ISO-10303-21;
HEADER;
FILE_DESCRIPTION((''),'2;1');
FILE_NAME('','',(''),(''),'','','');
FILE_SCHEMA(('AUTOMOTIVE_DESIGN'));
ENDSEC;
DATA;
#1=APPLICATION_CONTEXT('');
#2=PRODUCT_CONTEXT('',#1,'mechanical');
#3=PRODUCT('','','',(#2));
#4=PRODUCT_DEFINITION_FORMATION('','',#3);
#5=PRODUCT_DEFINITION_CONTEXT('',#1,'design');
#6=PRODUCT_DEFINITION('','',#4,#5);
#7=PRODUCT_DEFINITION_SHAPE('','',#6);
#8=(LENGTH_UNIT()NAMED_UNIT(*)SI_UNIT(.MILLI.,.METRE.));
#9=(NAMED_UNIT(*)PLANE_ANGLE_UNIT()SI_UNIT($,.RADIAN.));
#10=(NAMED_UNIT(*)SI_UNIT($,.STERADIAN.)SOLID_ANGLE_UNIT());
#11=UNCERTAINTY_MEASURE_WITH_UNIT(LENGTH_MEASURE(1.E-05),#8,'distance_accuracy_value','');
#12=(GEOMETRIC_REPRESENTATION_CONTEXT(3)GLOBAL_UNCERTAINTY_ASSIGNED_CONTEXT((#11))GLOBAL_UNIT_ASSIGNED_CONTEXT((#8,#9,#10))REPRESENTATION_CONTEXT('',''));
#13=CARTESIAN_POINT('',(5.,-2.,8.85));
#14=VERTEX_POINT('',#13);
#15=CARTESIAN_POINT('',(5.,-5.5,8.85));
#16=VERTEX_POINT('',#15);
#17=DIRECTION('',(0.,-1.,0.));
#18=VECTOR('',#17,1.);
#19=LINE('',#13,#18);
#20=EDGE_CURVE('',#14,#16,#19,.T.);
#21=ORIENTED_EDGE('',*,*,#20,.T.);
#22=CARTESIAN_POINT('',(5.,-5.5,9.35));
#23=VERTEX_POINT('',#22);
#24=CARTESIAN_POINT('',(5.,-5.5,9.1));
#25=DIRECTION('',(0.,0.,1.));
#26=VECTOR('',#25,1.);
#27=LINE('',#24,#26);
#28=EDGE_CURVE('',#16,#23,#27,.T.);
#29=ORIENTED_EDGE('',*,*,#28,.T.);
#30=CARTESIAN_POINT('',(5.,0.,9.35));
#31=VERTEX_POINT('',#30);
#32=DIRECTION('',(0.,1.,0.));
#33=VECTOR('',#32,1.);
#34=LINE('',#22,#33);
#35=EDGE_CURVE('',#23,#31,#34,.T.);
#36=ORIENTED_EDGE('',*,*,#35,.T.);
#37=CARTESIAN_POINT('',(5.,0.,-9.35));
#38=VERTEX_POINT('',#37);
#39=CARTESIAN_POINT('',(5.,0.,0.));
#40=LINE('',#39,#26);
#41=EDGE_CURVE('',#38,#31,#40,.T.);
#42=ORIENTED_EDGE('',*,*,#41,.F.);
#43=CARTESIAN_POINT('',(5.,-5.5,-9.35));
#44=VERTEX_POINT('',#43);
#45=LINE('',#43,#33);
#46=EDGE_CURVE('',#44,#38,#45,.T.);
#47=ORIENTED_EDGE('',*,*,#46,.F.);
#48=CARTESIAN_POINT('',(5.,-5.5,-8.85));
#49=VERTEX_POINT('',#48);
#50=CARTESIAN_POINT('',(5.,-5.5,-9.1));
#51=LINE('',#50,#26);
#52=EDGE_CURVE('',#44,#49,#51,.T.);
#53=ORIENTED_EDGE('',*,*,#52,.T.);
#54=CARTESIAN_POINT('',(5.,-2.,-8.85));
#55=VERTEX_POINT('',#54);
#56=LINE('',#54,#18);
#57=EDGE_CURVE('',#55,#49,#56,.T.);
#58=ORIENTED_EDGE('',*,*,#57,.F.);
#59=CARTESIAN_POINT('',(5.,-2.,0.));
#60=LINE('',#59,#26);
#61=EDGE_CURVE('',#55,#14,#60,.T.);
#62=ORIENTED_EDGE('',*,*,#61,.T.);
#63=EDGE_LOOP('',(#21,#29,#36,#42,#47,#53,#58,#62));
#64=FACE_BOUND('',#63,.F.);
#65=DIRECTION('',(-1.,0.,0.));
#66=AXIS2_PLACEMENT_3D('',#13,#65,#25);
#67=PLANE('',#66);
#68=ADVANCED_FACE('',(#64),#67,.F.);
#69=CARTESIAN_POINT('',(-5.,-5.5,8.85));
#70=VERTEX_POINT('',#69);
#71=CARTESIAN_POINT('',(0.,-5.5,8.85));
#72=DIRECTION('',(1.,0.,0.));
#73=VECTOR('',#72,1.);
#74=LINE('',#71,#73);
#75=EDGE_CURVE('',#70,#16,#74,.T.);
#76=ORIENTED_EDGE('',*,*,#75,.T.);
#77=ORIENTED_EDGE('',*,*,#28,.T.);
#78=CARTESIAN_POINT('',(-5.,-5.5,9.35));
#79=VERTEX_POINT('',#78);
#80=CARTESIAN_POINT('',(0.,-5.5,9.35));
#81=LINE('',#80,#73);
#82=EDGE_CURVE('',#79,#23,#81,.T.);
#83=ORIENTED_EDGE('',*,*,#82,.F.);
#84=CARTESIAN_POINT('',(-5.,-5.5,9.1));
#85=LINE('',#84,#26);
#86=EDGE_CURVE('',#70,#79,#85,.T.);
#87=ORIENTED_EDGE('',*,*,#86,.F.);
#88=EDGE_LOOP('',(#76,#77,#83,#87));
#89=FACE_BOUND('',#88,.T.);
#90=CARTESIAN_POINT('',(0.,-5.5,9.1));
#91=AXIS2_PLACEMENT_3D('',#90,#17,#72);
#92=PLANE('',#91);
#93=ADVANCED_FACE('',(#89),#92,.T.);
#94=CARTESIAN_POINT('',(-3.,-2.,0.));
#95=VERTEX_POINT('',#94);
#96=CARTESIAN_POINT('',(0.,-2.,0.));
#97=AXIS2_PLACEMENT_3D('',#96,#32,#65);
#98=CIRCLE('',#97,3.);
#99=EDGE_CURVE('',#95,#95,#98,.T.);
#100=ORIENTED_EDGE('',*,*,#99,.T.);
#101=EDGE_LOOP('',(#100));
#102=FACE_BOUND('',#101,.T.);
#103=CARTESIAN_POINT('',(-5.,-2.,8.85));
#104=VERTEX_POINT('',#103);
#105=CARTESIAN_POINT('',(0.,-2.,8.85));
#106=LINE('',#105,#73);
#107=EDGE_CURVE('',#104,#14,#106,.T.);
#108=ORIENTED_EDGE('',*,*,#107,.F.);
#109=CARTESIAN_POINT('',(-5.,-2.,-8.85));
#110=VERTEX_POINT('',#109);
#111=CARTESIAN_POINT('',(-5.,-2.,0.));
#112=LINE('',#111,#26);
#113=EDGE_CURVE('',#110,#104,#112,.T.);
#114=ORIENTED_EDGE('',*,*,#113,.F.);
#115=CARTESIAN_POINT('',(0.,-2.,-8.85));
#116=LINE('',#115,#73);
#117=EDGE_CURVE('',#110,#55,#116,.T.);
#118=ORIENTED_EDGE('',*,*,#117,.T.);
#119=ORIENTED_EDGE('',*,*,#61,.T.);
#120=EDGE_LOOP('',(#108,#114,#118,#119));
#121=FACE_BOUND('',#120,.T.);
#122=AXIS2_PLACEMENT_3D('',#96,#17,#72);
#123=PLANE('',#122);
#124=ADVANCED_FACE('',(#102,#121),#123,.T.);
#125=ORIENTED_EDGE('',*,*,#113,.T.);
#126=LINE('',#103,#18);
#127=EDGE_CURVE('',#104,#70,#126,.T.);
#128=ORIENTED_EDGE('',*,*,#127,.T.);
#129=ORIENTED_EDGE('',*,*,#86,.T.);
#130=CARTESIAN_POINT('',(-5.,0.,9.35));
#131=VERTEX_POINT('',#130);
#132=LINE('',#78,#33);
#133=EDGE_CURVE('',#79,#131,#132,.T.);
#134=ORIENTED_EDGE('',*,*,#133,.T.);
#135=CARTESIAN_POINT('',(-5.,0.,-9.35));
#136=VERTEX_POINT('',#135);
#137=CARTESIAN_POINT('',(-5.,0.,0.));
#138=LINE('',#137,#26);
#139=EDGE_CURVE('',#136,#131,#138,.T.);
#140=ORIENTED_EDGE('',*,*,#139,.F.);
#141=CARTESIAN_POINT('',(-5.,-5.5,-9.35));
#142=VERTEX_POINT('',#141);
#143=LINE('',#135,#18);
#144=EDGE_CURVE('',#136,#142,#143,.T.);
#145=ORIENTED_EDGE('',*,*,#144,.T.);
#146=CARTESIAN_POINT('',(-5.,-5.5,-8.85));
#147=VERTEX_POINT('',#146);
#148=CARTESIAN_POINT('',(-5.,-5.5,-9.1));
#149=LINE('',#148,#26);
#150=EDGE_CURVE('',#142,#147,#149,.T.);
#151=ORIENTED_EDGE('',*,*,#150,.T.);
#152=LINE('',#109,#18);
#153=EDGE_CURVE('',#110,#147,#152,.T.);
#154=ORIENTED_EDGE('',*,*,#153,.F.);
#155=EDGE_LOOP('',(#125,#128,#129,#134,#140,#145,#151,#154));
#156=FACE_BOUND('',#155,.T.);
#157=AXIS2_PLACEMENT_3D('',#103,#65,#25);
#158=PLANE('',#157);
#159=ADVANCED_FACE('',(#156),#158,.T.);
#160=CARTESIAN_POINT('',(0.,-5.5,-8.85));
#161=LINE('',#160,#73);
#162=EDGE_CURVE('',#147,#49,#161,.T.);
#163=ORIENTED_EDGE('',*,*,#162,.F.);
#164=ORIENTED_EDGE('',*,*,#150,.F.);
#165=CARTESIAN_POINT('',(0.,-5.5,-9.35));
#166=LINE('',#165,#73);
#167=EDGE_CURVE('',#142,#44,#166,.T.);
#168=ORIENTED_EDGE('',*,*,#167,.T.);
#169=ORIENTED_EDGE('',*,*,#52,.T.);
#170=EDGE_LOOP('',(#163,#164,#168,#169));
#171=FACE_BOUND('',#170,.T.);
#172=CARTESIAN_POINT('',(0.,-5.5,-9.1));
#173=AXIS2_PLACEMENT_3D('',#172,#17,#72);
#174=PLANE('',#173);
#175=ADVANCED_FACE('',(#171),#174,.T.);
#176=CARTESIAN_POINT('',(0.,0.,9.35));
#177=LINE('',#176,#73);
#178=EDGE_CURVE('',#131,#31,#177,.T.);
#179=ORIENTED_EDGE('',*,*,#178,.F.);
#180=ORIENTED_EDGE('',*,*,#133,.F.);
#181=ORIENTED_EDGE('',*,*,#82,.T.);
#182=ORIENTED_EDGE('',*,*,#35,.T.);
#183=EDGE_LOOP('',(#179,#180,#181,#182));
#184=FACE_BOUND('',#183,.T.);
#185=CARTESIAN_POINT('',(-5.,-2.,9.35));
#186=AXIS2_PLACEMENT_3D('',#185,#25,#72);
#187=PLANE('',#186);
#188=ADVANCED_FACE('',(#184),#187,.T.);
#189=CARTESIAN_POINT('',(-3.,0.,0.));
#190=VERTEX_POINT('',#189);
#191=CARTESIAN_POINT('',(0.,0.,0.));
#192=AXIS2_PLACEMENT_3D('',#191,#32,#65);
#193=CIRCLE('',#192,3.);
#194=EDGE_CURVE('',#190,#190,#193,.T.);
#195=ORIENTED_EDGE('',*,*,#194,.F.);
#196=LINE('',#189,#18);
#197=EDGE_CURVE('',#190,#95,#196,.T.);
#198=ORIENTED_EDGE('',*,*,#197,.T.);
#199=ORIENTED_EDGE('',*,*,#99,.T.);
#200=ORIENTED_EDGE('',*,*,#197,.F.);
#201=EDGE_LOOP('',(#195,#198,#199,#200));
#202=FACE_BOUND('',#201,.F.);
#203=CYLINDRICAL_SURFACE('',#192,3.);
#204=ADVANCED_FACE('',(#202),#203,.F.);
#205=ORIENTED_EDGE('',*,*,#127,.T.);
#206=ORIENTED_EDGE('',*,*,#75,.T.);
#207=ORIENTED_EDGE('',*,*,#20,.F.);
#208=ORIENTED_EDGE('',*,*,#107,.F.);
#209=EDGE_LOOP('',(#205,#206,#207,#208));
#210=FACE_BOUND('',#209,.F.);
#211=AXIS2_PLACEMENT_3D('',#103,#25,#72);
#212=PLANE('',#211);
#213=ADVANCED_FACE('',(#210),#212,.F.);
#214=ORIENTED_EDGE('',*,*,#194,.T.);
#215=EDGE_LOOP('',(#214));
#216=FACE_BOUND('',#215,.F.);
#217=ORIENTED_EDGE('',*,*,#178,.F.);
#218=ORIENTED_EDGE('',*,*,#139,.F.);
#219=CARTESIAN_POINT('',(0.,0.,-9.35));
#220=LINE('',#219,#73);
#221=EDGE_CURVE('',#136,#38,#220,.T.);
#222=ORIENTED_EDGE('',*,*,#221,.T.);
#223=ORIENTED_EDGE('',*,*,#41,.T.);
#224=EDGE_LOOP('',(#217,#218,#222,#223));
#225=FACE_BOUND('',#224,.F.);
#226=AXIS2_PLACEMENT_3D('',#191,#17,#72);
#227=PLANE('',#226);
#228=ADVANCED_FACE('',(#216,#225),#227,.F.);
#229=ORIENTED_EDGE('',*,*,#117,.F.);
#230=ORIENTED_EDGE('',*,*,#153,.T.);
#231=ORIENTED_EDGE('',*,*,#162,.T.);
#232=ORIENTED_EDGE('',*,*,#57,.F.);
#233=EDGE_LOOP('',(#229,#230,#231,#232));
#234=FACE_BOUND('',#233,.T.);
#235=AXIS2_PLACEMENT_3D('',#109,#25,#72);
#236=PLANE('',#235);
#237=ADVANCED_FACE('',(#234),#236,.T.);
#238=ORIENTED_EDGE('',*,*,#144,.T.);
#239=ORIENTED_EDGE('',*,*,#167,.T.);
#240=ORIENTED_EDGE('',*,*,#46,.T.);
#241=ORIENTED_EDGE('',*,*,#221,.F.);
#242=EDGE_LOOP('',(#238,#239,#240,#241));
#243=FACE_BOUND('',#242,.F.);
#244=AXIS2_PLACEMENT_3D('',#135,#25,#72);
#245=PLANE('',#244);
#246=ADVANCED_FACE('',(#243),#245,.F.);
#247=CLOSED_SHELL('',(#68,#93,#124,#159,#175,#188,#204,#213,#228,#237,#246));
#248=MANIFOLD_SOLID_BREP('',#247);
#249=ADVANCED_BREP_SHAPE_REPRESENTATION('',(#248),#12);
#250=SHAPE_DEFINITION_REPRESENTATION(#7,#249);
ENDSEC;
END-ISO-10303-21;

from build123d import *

# Parameters (mm, degrees)
F0_W     = 10
F0_H     = 18.7
F1_DEPTH = 2
F2_W     = 10
F2_H     = 0.5
F3_DEPTH = 3.5
F4_R     = 3
F5_DEPTH = 25


with BuildPart() as f1:
    # F0 (on Front) → F1 (new body)
    with BuildSketch(Plane.XZ):
        Rectangle(F0_W, F0_H)
    extrude(amount=F1_DEPTH)

    # F2 (on face) → F3 (join)
    with BuildSketch(Plane.XZ.offset(2)):
        with Locations((0, 9.1)):
            Rectangle(F2_W, F2_H)
        with Locations((0, -9.1)):
            Rectangle(F2_W, F2_H)
    extrude(amount=F3_DEPTH)

    # F4 (on face) → F5 (cut)
    with BuildSketch(Plane(origin=(0, 0, 0), x_dir=(-1, 0, 0), z_dir=(0, 1, 0))):
        Circle(F4_R)
    extrude(amount=-F5_DEPTH, mode=Mode.SUBTRACT)


solid = f1.part
